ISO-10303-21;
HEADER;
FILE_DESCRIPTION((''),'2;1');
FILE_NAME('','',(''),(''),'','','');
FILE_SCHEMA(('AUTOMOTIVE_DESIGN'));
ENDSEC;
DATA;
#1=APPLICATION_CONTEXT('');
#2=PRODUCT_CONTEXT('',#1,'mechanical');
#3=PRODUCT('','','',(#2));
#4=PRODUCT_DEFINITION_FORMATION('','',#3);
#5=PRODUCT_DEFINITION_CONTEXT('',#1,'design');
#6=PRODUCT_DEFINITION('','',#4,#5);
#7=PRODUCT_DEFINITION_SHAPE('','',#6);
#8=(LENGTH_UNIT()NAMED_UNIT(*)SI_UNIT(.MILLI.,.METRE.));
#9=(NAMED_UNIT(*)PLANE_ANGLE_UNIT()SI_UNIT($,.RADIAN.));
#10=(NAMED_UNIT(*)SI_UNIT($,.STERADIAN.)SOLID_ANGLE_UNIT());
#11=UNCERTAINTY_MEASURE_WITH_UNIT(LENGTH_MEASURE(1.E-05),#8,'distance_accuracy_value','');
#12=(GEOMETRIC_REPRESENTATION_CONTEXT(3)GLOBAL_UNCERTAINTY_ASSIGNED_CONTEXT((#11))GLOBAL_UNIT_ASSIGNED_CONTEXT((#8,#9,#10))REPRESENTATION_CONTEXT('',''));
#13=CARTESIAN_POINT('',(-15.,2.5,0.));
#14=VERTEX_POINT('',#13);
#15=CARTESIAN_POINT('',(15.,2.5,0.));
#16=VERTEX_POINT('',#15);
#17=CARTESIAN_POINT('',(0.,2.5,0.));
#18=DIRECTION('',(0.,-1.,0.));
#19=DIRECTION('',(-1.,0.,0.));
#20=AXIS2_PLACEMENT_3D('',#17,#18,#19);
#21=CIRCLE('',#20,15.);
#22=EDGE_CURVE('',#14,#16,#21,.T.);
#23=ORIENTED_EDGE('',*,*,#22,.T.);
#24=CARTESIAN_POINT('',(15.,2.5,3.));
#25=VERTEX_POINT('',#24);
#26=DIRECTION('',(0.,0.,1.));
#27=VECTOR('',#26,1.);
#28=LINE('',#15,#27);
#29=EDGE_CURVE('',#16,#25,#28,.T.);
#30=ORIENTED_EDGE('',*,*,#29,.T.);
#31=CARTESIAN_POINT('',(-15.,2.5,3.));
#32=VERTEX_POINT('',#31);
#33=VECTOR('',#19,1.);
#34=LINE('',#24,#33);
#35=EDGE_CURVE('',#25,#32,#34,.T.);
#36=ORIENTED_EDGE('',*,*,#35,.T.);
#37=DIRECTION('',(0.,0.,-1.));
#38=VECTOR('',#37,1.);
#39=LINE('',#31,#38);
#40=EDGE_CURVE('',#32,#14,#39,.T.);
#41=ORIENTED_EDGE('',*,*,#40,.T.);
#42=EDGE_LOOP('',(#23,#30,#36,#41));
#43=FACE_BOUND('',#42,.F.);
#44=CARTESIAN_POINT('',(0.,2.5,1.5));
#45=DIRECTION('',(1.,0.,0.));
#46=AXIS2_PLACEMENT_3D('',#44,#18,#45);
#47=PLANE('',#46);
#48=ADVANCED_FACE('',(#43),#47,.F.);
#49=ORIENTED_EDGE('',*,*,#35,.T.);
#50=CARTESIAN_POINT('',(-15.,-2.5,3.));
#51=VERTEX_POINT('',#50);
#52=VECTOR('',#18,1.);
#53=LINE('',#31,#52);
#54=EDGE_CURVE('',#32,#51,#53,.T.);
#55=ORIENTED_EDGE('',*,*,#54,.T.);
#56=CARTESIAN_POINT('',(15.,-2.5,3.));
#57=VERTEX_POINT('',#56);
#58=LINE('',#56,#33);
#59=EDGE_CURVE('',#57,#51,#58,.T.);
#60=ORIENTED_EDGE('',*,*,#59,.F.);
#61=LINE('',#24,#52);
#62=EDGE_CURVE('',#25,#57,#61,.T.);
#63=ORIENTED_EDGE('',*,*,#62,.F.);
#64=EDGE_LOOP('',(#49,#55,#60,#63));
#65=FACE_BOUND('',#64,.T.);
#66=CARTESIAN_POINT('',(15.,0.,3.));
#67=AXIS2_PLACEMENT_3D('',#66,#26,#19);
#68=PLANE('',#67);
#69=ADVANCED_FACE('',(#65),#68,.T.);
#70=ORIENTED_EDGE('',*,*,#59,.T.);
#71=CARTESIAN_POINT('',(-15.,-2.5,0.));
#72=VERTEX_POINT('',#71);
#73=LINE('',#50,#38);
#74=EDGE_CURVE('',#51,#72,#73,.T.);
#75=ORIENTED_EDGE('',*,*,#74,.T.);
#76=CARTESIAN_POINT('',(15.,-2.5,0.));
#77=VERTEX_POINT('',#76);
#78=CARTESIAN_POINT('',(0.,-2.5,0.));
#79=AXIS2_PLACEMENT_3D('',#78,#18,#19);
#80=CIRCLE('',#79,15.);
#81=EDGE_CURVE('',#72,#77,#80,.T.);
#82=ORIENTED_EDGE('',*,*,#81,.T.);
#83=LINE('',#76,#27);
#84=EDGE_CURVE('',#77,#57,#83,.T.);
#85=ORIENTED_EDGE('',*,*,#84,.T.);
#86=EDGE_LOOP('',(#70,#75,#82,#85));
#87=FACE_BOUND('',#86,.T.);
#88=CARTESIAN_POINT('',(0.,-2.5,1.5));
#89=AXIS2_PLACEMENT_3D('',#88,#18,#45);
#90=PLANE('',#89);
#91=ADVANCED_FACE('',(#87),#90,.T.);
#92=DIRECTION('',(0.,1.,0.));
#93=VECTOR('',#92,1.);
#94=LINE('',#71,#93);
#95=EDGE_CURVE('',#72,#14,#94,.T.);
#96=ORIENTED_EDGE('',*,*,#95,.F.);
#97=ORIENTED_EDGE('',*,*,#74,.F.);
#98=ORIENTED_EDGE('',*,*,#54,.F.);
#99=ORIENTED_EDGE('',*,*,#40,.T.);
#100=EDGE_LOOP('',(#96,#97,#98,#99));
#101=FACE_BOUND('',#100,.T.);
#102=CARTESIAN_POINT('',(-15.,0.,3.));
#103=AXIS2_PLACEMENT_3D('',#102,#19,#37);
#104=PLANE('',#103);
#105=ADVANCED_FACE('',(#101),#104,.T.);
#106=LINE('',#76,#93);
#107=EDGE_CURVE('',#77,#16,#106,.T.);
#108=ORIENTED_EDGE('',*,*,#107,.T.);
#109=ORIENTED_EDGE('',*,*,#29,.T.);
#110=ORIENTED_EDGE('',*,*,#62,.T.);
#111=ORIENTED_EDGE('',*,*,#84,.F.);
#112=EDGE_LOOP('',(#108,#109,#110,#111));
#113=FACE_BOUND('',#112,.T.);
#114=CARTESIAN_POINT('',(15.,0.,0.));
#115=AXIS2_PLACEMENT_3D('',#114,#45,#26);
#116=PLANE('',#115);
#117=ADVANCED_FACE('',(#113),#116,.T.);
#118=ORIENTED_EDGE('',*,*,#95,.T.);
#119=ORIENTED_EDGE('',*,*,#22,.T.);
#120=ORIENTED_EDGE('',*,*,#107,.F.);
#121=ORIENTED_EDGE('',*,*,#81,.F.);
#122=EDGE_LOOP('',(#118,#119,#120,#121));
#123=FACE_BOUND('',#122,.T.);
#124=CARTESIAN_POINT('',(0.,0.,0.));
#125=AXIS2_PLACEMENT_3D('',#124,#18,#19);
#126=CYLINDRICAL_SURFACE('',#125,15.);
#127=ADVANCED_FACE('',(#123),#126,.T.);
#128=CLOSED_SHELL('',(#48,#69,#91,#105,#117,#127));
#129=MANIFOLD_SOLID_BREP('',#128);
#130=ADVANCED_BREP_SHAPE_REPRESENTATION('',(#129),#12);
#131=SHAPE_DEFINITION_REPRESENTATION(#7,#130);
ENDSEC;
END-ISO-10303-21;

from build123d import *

# Parameters (mm, degrees)
F1_DEPTH = 2.5


with BuildPart() as f1:
    # F0 (on Front) → F1 (new body, symmetric)
    with BuildSketch(Plane.XZ):
        Polygon((-15, 0), (0, 0), (15, 0), (15, 3), (-15, 3), align=None)
        with BuildLine():
            Line((15, 0), (0, 0))
            Line((0, 0), (-15, 0))
            ThreePointArc((-15, 0), (0, -15), (15, 0))
        make_face()
    extrude(amount=F1_DEPTH, both=True)


solid = f1.part
